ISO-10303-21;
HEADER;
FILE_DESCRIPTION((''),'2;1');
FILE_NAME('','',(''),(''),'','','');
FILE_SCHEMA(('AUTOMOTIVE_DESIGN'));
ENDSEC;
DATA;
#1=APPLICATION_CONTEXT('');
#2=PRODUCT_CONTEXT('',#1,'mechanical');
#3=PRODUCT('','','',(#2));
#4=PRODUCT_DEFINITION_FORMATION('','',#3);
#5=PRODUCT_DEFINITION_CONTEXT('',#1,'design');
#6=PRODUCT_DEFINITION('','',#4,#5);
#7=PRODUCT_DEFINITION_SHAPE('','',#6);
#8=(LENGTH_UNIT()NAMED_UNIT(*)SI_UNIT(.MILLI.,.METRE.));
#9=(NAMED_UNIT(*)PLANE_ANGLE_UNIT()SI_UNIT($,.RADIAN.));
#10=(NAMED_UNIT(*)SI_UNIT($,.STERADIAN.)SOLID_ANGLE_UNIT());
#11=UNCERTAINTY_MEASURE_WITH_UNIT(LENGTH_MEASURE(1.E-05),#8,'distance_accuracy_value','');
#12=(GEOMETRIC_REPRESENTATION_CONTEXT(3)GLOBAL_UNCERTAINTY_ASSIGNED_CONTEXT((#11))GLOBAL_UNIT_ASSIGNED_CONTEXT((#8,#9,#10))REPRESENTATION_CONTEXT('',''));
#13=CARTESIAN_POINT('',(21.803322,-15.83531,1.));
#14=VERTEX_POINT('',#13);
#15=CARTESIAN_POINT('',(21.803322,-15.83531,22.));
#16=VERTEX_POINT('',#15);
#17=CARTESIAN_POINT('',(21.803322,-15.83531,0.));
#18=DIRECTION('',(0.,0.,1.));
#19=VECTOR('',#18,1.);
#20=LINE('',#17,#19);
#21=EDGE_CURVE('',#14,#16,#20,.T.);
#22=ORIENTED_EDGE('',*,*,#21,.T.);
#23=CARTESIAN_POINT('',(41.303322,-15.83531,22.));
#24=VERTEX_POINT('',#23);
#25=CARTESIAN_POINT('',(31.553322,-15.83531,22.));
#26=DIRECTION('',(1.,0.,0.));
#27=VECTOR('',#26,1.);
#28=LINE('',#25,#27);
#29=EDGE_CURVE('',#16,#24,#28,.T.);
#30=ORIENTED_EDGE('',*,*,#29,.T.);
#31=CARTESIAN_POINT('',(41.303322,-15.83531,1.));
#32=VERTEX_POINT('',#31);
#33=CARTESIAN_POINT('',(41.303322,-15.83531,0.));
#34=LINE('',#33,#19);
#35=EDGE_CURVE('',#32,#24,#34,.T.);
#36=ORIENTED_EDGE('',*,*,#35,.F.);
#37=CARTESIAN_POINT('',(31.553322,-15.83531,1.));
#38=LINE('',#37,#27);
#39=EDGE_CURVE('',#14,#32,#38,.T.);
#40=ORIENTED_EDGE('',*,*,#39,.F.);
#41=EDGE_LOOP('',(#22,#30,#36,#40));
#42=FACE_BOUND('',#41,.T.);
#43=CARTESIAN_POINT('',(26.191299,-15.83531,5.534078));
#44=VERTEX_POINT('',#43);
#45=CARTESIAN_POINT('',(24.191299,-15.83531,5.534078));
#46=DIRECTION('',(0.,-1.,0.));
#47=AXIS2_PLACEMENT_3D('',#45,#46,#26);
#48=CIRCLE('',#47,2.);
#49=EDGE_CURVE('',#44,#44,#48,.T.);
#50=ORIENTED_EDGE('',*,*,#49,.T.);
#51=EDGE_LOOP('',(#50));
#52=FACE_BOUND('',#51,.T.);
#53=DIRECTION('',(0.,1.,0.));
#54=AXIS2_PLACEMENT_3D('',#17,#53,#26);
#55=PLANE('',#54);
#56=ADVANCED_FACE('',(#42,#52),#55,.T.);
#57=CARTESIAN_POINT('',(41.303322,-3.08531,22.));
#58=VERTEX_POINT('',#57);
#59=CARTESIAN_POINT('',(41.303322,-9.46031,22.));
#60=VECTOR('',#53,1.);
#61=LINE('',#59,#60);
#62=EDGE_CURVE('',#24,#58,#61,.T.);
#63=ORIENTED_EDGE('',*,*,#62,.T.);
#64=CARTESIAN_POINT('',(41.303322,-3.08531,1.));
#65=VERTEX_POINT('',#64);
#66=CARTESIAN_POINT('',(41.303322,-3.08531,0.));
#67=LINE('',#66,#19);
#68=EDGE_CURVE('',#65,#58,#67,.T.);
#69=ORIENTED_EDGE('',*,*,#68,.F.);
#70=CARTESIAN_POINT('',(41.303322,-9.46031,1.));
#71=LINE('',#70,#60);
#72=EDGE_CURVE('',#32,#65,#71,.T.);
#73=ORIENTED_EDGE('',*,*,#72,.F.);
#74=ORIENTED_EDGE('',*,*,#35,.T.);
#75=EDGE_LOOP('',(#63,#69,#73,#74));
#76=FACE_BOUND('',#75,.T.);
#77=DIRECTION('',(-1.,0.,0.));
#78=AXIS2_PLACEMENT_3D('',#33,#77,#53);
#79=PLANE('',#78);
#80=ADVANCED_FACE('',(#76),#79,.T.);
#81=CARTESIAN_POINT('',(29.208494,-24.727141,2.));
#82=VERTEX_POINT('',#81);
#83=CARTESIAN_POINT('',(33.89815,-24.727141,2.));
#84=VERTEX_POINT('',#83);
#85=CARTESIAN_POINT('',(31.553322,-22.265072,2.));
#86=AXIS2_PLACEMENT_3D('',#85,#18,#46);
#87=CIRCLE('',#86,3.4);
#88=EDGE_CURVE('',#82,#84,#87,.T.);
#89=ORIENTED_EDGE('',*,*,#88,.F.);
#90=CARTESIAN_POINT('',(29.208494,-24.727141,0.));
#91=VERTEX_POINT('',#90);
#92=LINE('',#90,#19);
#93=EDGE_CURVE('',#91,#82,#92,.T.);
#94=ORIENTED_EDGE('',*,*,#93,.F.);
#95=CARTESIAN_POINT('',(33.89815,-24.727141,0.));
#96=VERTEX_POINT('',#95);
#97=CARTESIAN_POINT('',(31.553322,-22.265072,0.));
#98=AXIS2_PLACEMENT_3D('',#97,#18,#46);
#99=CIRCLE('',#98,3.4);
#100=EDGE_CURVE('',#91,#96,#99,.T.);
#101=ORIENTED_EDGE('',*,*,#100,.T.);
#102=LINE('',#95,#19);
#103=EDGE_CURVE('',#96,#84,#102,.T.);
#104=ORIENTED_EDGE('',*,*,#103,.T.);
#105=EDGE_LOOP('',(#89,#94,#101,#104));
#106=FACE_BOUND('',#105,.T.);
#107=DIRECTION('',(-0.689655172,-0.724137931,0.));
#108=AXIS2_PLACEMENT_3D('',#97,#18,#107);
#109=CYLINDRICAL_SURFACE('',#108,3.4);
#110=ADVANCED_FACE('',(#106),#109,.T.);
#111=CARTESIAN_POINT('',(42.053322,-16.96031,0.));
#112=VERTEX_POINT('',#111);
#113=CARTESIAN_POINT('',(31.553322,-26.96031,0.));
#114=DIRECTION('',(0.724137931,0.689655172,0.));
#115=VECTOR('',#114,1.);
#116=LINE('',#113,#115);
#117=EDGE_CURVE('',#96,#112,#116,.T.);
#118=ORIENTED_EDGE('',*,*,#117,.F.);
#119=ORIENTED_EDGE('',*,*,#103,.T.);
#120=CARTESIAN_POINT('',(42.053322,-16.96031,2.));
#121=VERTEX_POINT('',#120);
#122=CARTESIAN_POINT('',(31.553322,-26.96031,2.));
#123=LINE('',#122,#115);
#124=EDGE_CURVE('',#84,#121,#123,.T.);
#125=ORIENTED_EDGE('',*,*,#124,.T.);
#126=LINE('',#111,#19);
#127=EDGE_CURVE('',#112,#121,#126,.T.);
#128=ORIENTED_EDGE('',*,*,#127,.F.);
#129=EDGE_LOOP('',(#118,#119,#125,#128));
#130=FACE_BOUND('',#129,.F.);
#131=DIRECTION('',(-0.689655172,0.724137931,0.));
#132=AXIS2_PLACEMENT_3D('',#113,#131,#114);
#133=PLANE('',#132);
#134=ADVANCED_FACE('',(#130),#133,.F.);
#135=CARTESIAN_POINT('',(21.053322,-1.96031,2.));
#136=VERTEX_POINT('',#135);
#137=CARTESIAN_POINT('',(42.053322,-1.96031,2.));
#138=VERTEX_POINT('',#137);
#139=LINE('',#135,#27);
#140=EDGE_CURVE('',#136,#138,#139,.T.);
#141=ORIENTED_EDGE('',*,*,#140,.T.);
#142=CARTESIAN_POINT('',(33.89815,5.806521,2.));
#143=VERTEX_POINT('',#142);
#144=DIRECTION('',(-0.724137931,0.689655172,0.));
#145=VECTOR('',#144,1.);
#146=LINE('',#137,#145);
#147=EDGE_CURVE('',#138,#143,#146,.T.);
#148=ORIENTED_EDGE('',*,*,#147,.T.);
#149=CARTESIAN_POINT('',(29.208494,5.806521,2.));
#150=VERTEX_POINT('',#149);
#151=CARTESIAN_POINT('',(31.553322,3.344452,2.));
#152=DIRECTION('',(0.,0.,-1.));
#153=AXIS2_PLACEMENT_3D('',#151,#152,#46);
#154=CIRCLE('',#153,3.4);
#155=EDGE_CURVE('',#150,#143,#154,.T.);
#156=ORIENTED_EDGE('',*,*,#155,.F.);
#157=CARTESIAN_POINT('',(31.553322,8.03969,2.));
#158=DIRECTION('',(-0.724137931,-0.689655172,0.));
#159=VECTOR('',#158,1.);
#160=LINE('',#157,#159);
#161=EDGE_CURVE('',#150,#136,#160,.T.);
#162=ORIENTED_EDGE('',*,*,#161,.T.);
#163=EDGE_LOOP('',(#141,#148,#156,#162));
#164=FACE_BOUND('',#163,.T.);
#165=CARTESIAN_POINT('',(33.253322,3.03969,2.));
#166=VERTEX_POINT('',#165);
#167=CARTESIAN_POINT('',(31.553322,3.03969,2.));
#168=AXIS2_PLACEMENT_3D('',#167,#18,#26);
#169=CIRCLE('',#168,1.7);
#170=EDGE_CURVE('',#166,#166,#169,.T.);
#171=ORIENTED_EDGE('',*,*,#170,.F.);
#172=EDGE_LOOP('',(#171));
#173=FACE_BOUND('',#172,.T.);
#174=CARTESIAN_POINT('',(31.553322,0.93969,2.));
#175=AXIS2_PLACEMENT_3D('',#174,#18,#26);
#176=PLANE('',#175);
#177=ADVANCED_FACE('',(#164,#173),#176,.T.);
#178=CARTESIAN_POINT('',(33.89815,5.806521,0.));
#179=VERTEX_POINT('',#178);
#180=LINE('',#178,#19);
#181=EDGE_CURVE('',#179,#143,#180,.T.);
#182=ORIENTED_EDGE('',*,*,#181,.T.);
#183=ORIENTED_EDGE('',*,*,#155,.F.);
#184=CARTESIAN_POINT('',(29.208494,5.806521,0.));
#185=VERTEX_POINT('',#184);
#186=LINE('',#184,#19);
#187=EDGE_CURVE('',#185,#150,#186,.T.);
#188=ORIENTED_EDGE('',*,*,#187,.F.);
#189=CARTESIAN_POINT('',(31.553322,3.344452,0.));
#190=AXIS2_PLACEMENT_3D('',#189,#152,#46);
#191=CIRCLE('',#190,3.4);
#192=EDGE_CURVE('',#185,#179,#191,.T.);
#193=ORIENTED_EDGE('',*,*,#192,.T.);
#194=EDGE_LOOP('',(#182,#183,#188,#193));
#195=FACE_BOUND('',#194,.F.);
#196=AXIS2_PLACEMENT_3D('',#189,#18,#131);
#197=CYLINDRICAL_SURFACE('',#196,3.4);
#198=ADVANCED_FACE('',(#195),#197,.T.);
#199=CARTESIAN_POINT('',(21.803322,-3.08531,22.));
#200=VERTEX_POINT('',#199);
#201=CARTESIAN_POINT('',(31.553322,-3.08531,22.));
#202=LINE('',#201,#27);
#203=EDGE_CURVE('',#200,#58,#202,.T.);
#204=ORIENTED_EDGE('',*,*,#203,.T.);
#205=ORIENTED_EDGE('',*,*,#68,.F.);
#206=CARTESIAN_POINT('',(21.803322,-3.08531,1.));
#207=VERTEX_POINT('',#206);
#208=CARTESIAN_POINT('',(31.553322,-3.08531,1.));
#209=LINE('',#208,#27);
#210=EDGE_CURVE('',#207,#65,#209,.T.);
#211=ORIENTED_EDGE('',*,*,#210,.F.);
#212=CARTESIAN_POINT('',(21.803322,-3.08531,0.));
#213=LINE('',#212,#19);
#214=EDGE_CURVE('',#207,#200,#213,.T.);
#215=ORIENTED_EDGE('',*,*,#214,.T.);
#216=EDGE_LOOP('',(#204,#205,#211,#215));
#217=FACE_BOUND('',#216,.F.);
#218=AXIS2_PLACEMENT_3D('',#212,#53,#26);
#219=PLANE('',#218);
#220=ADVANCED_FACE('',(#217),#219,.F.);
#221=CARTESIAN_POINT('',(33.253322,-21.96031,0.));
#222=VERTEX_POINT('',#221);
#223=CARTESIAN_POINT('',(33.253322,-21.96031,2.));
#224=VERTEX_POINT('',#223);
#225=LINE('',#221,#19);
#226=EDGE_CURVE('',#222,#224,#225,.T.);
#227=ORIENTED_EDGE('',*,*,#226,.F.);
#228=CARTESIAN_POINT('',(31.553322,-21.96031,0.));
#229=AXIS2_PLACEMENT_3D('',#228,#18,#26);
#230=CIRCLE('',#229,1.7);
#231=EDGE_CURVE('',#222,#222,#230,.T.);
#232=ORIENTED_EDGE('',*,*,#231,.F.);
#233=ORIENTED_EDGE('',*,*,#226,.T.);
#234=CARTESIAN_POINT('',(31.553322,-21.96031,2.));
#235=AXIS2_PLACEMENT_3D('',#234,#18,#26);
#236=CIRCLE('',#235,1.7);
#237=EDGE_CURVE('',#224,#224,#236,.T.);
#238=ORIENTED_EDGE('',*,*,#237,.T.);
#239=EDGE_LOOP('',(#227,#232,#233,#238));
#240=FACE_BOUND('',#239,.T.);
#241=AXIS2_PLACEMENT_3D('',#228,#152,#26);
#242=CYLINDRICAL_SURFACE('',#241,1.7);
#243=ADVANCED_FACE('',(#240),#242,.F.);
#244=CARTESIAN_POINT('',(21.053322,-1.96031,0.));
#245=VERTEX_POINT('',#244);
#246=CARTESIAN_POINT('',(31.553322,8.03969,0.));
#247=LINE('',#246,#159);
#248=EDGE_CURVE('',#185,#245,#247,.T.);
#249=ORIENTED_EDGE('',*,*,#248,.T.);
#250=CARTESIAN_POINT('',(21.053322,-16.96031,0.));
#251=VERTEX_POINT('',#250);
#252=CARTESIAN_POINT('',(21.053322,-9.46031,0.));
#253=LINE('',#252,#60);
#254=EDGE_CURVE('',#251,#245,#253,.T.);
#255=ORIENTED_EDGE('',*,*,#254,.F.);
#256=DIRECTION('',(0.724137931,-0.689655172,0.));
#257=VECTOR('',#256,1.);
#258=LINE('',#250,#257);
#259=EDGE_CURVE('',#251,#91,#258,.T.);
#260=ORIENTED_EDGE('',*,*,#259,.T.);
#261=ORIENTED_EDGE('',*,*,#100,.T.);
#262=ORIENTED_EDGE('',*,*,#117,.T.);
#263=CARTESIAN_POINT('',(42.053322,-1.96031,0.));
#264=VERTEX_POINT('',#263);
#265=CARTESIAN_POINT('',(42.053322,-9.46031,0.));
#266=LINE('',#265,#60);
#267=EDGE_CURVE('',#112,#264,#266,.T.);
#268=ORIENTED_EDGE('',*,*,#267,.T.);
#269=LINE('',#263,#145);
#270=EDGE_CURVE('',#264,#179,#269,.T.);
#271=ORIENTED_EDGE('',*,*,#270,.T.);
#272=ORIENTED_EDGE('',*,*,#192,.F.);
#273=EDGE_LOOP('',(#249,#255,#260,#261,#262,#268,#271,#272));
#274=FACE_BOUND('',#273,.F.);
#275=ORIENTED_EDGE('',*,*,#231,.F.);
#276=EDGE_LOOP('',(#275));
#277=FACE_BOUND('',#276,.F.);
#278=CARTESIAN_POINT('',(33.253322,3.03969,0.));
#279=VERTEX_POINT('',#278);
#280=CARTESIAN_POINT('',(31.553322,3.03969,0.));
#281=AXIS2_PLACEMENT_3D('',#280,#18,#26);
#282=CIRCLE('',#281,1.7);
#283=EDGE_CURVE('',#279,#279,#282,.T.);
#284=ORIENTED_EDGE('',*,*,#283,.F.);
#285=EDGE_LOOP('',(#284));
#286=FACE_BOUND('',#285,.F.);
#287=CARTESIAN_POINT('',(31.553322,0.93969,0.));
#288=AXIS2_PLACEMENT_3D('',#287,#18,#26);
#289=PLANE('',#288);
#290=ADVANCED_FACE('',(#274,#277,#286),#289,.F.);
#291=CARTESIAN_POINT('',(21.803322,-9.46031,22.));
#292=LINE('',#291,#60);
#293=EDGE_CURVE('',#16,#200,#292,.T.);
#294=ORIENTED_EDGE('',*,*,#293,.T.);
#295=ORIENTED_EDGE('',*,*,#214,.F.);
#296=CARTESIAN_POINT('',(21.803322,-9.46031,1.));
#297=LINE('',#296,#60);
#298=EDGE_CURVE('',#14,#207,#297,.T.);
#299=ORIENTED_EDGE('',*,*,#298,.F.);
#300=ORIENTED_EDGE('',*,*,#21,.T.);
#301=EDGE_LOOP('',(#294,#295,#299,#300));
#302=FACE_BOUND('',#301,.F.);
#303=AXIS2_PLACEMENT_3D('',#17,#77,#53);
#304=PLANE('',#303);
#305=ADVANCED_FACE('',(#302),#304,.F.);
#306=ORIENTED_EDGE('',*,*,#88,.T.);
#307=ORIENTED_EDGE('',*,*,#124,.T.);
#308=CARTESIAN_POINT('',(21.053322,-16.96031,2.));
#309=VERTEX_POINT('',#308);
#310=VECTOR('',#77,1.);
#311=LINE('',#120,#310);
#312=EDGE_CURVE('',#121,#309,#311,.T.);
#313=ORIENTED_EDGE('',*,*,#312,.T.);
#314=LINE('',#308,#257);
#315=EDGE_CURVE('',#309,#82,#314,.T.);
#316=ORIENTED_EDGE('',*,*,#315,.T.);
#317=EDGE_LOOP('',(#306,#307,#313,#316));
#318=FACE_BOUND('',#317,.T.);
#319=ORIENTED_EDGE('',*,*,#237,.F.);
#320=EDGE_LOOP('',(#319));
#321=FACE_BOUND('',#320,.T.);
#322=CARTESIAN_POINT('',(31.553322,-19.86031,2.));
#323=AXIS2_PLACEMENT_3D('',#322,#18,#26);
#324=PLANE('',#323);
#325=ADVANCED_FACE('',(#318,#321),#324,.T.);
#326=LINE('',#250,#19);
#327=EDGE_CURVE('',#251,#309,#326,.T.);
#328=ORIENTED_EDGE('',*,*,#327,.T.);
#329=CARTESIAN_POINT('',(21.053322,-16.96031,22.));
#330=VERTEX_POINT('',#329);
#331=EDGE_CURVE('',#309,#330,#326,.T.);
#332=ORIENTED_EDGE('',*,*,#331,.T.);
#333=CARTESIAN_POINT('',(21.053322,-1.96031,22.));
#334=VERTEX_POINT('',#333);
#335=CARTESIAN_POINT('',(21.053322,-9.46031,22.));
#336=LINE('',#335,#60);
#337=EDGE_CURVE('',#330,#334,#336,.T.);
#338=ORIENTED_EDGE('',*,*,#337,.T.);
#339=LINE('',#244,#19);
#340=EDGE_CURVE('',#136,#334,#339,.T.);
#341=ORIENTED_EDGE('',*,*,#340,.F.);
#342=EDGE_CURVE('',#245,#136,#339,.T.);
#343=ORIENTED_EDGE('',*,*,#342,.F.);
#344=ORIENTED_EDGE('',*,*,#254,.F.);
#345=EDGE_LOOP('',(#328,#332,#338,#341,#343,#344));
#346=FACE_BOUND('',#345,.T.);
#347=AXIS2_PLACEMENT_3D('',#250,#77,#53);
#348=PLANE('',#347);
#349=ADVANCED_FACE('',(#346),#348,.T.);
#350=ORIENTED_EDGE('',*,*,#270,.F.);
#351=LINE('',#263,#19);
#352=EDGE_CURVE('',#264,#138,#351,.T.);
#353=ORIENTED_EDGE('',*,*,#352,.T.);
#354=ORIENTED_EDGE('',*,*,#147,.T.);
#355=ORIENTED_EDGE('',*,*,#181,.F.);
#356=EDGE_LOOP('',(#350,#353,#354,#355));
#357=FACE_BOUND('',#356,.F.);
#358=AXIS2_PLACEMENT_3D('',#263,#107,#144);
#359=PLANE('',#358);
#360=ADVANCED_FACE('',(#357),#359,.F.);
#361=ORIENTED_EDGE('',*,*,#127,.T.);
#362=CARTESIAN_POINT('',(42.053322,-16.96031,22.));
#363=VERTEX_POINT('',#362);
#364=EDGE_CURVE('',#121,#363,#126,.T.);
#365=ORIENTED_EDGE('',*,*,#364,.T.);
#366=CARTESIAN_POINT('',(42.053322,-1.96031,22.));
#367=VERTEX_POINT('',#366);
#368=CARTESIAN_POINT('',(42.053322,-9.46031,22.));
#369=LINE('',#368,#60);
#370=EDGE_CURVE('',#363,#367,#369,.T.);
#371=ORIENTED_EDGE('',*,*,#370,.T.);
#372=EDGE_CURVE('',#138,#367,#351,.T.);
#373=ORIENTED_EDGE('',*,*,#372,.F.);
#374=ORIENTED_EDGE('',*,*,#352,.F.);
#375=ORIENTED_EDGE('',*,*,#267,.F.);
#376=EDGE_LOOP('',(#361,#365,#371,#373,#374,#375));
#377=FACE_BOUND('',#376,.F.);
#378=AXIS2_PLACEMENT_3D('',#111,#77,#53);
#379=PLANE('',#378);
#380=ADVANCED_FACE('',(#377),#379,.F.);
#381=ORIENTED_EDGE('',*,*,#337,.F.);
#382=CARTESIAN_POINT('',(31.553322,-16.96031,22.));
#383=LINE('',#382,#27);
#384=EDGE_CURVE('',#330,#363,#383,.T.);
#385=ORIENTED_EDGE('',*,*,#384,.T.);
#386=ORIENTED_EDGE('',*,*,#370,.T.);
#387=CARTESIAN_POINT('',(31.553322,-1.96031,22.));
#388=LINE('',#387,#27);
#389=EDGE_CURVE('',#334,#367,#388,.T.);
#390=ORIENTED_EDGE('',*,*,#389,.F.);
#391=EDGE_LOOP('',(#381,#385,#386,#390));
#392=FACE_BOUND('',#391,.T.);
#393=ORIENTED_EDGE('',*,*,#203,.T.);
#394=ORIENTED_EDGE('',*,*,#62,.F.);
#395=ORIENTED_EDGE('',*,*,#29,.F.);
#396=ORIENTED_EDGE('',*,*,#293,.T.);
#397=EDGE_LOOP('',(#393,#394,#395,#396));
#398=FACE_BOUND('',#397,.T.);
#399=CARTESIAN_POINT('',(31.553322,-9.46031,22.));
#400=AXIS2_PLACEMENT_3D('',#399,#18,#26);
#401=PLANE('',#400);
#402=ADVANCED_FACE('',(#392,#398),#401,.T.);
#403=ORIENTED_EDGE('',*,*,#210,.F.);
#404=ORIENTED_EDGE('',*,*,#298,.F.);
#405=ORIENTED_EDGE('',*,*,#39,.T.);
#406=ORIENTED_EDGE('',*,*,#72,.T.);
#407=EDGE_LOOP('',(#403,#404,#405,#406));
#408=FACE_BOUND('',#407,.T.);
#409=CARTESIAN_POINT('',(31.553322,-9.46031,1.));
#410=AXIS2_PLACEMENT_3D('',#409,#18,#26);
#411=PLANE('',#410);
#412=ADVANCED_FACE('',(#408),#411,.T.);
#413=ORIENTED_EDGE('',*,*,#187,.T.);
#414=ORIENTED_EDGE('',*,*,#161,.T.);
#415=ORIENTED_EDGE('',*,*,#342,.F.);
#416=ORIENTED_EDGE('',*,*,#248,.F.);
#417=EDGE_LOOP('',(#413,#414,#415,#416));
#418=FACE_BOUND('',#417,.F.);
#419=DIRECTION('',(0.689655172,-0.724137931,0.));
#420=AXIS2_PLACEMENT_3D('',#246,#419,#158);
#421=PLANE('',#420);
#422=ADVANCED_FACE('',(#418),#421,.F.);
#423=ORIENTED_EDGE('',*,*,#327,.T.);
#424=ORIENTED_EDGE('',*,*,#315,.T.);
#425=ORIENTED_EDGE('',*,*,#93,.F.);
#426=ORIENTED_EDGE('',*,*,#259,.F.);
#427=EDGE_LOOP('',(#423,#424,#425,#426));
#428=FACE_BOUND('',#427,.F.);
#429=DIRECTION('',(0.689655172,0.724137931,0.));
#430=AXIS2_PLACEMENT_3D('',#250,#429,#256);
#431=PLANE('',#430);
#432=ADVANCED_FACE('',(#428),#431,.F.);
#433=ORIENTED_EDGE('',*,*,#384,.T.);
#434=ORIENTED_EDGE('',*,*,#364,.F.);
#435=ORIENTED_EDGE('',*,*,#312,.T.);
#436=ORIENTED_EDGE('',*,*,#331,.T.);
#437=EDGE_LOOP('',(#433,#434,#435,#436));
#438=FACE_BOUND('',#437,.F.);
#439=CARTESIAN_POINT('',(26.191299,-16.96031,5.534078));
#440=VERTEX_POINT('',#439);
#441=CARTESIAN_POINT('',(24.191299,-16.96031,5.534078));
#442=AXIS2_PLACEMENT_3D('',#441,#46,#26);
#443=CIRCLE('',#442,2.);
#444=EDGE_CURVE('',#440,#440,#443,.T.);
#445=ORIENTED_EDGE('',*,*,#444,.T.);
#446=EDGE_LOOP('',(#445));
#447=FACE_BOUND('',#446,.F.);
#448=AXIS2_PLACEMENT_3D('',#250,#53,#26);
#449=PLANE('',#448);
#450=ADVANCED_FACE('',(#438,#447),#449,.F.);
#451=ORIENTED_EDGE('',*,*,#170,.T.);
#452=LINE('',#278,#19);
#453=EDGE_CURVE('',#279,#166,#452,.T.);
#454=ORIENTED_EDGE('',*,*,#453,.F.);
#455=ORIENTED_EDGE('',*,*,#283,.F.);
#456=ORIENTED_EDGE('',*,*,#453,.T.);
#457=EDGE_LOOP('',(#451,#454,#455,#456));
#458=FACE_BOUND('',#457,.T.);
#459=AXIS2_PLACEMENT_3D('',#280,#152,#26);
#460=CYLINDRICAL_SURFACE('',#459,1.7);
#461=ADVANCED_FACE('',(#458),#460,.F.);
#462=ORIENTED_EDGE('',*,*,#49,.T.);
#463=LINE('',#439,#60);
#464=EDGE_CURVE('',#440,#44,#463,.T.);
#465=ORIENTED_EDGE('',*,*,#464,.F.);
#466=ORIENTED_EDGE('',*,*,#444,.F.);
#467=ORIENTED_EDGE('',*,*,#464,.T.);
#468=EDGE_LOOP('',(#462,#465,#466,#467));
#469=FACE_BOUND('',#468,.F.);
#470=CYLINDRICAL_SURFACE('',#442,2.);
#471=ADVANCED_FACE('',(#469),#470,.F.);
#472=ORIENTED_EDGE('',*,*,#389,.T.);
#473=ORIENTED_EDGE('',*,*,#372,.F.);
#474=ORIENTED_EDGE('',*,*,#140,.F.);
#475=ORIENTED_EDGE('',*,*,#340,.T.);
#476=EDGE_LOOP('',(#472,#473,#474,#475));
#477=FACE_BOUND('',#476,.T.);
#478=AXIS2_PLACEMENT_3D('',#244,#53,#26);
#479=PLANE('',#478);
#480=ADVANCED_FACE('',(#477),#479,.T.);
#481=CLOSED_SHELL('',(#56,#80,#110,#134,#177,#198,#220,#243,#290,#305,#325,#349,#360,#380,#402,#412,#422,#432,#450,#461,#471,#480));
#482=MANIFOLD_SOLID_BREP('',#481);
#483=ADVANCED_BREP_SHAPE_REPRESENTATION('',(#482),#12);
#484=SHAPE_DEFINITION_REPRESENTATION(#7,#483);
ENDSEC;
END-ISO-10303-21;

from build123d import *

# Parameters (mm, degrees)
F0_W     = 21
F0_H     = 15
F0_W_2   = 19.5
F0_H_2   = 12.75
F1_DEPTH = 22
F2_DEPTH = 1
F0_R     = 1.7
F3_DEPTH = 2
F4_R     = 3.4
F5_R     = 2
F6_DEPTH = 2.5


with BuildPart() as f1:
    # F0 (on Top) → F1 (new body)
    with BuildSketch(Plane.XY):
        with Locations((31.553322, -9.46031)):
            Rectangle(F0_W, F0_H)
        with Locations((31.553322, -9.46031)):
            Rectangle(F0_W_2, F0_H_2, mode=Mode.SUBTRACT)
    extrude(amount=F1_DEPTH)

    # F0 (on Top) → F2 (join)
    with BuildSketch(Plane.XY):
        with Locations((31.553322, -9.46031)):
            Rectangle(F0_W_2, F0_H_2)
    extrude(amount=F2_DEPTH)

    # F0 (on Top) → F3 (join)
    with BuildSketch(Plane.XY):
        Polygon((31.553322, 8.03969), (21.053322, -1.96031), (42.053322, -1.96031), align=None)
        with Locations((31.553322, 3.03969)):
            Circle(F0_R, mode=Mode.SUBTRACT)
        Polygon((42.053322, -16.96031), (21.053322, -16.96031), (31.553322, -26.96031), align=None)
        with Locations((31.553322, -21.96031)):
            Circle(F0_R, mode=Mode.SUBTRACT)
    extrude(amount=F3_DEPTH)

    # F4
    f4_edges = [f1.edges().sort_by_distance(p)[0] for p in [
        (31.553322, 8.03969, 1),
        (31.553322, -26.96031, 1),
    ]]
    fillet(f4_edges, radius=F4_R)

    # F5 (on face) → F6 (cut)
    with BuildSketch(Plane.XZ.offset(16.96031)):
        with Locations((24.191299, 5.534078)):
            Circle(F5_R)
    extrude(amount=-F6_DEPTH, mode=Mode.SUBTRACT)


solid = f1.part
